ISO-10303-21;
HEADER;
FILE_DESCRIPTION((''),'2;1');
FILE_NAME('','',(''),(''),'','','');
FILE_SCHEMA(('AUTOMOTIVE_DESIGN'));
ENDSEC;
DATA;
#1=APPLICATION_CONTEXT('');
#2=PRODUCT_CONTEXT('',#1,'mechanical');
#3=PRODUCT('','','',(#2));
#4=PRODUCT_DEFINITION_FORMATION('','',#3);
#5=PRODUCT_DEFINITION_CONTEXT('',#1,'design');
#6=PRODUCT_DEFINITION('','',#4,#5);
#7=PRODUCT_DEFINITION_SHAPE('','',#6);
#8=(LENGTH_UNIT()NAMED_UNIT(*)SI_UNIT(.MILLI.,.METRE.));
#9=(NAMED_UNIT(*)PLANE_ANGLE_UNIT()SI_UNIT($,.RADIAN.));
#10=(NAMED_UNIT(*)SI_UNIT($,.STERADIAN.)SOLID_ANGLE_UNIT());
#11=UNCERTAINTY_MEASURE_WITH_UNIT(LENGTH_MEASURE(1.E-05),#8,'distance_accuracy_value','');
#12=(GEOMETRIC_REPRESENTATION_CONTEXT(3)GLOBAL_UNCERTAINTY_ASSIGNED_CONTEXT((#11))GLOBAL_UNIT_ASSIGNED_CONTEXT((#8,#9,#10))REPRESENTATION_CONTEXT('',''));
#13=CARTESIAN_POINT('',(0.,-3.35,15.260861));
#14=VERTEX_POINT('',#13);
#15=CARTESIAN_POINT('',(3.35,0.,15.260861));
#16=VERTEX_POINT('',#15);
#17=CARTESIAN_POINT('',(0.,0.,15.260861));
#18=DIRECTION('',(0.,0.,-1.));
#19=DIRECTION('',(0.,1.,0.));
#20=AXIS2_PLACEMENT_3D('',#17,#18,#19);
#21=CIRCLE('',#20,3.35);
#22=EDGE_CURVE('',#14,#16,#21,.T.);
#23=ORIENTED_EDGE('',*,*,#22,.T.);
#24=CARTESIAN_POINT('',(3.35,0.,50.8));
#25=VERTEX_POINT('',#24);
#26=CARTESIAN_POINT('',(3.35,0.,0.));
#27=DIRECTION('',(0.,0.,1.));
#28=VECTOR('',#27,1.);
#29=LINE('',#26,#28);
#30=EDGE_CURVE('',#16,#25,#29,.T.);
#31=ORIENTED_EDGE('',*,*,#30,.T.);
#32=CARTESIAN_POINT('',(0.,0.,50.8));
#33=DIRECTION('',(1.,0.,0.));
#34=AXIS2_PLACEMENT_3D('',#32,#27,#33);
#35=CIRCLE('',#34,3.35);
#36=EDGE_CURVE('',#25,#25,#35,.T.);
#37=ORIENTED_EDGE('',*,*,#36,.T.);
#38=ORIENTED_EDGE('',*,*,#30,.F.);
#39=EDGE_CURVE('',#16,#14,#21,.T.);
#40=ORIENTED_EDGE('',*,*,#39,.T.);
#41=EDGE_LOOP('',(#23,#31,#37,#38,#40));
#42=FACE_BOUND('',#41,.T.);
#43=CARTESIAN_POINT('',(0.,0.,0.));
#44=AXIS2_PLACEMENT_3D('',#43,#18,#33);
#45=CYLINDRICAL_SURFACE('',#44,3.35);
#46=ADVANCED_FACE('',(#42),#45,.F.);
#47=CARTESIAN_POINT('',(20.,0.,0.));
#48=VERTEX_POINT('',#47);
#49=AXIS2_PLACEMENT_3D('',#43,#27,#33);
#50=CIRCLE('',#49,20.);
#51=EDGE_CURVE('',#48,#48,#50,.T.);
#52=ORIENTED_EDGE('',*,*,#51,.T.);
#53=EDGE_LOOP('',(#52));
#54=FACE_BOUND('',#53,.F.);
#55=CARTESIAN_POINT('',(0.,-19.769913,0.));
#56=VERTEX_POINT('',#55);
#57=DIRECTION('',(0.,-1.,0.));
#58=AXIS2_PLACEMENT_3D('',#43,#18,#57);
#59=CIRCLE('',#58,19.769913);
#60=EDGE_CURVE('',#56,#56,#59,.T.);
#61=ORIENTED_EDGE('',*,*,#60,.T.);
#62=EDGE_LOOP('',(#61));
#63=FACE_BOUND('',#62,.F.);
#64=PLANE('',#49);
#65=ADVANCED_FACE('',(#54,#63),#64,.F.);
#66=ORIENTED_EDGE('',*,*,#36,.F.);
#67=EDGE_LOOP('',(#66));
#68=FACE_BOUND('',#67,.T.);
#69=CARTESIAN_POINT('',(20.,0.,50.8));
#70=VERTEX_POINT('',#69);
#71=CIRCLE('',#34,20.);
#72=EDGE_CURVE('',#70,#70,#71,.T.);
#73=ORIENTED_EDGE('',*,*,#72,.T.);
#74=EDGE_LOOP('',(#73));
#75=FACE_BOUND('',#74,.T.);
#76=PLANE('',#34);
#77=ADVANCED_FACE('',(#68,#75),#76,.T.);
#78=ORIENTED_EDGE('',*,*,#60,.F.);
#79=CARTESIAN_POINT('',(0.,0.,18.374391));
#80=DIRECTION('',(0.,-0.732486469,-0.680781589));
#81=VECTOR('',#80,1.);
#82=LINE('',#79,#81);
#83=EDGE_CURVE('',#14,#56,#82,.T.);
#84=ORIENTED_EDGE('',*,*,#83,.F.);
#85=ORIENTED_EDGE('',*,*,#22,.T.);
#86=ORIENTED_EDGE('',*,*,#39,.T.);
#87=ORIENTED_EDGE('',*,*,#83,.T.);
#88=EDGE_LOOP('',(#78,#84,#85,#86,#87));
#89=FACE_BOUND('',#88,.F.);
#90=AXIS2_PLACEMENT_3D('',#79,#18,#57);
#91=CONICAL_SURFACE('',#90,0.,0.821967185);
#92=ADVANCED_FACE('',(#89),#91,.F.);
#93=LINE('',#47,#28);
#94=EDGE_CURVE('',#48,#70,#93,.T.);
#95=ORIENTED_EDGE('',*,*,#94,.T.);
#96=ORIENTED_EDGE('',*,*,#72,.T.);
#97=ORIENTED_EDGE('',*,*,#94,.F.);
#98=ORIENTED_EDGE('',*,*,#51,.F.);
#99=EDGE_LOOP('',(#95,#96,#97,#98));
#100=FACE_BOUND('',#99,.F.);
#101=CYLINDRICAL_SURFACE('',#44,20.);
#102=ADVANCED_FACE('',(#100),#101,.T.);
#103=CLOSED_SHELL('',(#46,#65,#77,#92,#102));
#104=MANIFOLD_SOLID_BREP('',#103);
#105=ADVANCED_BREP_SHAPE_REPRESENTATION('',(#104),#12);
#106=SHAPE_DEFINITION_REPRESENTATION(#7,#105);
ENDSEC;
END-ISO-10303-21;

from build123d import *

# Parameters (mm, degrees)
F0_R     = 20
F0_R_2   = 3.35
F1_DEPTH = 50.8


with BuildPart() as f1:
    # F0 (on Top) → F1 (new body)
    with BuildSketch(Plane.XY):
        Circle(F0_R)
        Circle(F0_R_2, mode=Mode.SUBTRACT)
    extrude(amount=F1_DEPTH)

    # F2 (on Right) → F3 (revolve, cut)
    with BuildSketch(Plane.YZ):
        Polygon((0, 18.374391), (-19.769913, 0), (0, 0), align=None)
    revolve(axis=Axis((0, 0, 9.187195), (0, 0, -1)), mode=Mode.SUBTRACT)


solid = f1.part
